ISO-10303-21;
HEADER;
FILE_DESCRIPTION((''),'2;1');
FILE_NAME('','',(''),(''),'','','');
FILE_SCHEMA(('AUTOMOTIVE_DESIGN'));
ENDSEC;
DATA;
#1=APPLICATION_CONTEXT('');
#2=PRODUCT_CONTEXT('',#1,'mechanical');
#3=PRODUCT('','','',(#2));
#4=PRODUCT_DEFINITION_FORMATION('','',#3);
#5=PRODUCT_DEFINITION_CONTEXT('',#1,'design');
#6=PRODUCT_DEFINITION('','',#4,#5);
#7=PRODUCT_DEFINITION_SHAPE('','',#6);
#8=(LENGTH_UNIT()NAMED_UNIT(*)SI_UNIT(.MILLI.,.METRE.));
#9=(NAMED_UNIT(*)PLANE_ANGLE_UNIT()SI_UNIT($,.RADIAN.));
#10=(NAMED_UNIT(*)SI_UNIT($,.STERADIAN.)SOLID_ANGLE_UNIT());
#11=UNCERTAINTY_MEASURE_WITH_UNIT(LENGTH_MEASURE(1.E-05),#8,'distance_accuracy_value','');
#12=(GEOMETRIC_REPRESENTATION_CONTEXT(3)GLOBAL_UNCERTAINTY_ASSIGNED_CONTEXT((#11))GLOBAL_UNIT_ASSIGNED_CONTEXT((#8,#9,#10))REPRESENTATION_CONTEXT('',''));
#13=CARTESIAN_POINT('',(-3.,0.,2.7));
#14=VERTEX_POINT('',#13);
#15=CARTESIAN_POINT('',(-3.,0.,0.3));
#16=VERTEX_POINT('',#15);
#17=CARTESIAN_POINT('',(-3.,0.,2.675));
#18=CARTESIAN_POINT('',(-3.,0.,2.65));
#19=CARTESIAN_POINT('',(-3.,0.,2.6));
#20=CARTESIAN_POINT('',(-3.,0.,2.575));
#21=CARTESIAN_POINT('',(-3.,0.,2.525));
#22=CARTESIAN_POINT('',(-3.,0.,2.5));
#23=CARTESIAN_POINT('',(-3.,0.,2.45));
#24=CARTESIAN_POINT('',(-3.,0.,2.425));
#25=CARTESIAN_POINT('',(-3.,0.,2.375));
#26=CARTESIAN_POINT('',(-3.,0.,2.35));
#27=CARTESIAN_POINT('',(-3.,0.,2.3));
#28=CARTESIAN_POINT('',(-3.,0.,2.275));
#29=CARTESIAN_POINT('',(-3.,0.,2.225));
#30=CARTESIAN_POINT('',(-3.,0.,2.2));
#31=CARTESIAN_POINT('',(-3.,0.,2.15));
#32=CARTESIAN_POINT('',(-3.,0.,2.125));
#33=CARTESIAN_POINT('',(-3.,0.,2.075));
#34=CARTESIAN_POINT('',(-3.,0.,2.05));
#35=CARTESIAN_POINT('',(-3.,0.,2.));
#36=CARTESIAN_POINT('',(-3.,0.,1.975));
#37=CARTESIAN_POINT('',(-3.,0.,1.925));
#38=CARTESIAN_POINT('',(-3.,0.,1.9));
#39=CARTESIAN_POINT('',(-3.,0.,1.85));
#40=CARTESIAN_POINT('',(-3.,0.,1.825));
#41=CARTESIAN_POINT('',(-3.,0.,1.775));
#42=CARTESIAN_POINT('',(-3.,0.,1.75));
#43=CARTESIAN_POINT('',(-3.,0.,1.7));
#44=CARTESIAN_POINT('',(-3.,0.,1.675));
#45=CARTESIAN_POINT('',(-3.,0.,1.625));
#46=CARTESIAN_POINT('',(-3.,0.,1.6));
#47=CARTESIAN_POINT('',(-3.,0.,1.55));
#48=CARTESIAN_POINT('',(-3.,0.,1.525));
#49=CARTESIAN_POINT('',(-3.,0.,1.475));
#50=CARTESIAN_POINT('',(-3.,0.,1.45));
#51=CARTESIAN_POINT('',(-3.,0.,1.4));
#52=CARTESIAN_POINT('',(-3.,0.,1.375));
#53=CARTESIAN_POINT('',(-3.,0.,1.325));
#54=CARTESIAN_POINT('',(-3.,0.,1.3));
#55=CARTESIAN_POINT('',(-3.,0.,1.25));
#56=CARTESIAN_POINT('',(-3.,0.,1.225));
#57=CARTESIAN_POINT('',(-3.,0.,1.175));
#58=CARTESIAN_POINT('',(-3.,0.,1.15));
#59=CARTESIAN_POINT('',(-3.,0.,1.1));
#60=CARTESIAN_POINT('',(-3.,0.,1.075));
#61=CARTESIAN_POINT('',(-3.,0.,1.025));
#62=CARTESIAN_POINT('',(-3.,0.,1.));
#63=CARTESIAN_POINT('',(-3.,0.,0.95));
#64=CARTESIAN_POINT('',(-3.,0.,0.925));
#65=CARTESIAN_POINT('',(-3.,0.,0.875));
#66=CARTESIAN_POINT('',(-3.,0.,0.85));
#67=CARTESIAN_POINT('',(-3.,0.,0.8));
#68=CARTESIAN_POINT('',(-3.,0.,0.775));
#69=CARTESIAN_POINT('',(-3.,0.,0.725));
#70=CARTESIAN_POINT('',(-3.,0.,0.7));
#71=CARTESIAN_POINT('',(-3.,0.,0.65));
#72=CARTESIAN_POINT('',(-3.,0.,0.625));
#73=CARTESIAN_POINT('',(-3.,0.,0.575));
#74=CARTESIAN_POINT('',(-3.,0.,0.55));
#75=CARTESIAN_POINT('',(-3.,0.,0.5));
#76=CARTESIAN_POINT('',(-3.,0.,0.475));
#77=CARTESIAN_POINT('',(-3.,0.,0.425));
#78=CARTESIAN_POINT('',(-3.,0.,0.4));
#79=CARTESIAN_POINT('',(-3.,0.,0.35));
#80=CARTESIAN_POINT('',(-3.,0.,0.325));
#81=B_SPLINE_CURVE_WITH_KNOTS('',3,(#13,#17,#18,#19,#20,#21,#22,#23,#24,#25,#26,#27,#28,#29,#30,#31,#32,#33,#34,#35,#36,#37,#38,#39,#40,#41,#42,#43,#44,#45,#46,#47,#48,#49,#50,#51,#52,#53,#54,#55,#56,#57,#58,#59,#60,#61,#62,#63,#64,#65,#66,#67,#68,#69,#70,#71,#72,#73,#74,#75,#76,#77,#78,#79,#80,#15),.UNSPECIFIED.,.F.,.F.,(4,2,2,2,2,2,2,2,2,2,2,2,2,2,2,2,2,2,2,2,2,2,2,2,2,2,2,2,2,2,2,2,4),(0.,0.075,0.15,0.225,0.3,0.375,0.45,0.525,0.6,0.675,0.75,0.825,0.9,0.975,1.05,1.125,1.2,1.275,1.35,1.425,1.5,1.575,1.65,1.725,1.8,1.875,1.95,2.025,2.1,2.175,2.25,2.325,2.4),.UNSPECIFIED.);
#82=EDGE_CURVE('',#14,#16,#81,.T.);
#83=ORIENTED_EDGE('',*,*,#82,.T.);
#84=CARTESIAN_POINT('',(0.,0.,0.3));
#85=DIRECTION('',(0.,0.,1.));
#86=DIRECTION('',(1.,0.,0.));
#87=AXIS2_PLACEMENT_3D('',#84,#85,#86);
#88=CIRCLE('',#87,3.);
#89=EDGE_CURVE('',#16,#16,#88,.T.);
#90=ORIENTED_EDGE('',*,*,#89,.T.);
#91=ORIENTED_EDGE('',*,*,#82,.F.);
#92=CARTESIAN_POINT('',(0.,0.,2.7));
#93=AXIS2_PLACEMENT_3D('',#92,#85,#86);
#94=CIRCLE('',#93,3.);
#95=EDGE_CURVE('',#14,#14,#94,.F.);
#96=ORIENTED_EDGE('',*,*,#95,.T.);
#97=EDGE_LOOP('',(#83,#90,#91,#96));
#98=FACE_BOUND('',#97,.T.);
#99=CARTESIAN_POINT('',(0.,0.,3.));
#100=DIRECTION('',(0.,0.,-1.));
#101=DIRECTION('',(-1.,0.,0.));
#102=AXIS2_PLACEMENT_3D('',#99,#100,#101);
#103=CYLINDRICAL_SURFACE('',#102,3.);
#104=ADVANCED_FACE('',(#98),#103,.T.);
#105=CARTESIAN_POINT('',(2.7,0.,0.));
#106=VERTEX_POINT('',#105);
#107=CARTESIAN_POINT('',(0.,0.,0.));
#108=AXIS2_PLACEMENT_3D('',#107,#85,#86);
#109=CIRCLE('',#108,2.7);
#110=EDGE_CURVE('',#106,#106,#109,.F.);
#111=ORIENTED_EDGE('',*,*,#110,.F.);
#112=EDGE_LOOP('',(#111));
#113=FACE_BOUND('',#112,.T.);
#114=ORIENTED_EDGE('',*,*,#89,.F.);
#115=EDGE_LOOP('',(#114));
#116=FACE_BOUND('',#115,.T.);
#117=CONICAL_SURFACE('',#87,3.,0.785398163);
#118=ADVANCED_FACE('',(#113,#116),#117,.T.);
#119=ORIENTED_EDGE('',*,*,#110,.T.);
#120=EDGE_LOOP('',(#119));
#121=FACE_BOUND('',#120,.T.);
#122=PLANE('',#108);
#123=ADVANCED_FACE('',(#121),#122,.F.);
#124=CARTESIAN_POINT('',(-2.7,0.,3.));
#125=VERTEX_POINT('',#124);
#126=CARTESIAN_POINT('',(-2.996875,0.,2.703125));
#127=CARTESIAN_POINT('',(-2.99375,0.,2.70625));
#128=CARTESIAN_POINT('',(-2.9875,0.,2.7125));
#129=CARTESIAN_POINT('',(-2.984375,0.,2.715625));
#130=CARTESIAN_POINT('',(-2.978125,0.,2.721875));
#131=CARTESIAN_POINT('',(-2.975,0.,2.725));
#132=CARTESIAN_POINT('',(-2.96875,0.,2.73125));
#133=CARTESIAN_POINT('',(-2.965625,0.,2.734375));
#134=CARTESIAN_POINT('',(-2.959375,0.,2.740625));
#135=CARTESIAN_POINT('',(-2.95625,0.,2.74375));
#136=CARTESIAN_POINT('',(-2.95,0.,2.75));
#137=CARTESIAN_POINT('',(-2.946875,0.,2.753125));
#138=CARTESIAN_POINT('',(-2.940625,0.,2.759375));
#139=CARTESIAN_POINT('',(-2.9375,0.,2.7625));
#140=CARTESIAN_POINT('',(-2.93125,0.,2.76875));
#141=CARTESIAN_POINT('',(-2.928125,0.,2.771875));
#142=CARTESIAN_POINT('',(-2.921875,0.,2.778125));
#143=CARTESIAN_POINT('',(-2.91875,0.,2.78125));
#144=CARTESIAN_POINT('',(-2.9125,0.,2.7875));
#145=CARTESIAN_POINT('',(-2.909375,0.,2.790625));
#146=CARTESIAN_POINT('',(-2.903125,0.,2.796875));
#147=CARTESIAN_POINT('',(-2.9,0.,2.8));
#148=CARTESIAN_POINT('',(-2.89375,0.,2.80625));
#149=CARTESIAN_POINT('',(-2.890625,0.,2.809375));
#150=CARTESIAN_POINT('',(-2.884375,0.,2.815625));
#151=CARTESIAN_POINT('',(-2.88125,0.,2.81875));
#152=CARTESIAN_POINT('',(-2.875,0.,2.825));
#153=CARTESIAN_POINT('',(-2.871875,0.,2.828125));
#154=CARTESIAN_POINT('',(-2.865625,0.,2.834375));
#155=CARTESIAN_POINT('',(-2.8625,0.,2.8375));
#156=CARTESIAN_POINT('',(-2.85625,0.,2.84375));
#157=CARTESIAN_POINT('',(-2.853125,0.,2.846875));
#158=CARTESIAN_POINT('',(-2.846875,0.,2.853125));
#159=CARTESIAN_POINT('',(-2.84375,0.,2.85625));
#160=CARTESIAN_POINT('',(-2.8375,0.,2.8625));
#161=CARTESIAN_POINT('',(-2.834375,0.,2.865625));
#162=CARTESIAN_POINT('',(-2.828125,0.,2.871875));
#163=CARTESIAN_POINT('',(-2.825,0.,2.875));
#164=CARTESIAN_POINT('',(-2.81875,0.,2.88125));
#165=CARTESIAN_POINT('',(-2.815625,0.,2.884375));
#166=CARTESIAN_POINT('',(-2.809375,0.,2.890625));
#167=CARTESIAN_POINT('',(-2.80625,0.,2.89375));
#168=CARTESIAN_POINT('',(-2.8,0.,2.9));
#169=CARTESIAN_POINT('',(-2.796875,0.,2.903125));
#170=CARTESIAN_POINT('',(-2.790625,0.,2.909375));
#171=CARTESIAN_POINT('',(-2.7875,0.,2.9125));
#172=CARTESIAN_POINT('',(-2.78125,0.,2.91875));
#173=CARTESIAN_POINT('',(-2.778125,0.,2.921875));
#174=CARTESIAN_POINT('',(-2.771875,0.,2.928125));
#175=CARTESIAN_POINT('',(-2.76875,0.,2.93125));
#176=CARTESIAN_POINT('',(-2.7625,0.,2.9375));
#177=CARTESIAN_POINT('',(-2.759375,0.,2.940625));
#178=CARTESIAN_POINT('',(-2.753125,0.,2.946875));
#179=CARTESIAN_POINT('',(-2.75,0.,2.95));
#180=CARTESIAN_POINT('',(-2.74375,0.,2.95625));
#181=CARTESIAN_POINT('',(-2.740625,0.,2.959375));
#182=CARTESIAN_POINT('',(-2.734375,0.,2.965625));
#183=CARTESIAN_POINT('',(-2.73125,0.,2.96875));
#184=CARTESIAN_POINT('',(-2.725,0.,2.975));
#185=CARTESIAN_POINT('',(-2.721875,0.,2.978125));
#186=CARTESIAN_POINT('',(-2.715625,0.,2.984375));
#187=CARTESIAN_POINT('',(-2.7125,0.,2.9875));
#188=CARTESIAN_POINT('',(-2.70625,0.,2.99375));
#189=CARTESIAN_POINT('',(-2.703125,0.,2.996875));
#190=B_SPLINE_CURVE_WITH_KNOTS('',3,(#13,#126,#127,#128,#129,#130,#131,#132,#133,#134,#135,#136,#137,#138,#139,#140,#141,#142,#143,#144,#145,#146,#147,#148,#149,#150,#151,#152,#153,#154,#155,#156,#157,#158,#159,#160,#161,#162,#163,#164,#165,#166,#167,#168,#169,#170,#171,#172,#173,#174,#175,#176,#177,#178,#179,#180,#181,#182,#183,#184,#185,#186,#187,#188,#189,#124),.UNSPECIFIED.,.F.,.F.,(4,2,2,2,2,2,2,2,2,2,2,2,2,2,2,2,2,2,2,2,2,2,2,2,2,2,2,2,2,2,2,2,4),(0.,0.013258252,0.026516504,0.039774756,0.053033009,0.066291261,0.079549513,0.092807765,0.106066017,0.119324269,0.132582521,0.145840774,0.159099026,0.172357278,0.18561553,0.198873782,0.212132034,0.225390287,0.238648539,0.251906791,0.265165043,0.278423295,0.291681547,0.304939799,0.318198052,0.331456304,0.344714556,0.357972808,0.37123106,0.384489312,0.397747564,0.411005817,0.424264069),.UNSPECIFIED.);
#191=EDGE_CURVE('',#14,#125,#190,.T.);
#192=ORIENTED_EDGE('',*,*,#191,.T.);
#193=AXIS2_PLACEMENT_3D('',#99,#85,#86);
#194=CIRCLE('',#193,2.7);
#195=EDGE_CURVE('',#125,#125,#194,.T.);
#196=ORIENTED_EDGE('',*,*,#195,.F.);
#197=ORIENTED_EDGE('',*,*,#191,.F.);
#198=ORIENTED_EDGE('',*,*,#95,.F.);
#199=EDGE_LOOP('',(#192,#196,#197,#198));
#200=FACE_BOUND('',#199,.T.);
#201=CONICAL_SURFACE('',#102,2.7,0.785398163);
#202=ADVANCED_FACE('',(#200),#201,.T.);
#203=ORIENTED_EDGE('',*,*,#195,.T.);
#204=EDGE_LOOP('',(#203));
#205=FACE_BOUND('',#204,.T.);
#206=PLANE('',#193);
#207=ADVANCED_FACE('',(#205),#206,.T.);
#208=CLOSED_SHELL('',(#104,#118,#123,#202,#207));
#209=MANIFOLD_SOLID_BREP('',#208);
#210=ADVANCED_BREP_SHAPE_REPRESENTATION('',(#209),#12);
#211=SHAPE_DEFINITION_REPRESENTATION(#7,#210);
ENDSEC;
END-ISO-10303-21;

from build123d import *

# Parameters (mm, degrees)
SKETCH_1_R      = 3
EXTRUDE_1_DEPTH = 3
CHAMFER_1_SIZE  = 0.3


with BuildPart() as part:
    # Эскиз1 → Бобышка-Вытянуть1 (new body)
    with BuildSketch(Plane.XY):
        Circle(SKETCH_1_R)
    extrude(amount=EXTRUDE_1_DEPTH)

    # Фаска1
    chamfer_1_edges = [part.edges().sort_by_distance(p)[0] for p in [
        (-3, 0, 0),
        (-3, 0, 3),
    ]]
    chamfer(chamfer_1_edges, length=CHAMFER_1_SIZE)


solid = part.part
